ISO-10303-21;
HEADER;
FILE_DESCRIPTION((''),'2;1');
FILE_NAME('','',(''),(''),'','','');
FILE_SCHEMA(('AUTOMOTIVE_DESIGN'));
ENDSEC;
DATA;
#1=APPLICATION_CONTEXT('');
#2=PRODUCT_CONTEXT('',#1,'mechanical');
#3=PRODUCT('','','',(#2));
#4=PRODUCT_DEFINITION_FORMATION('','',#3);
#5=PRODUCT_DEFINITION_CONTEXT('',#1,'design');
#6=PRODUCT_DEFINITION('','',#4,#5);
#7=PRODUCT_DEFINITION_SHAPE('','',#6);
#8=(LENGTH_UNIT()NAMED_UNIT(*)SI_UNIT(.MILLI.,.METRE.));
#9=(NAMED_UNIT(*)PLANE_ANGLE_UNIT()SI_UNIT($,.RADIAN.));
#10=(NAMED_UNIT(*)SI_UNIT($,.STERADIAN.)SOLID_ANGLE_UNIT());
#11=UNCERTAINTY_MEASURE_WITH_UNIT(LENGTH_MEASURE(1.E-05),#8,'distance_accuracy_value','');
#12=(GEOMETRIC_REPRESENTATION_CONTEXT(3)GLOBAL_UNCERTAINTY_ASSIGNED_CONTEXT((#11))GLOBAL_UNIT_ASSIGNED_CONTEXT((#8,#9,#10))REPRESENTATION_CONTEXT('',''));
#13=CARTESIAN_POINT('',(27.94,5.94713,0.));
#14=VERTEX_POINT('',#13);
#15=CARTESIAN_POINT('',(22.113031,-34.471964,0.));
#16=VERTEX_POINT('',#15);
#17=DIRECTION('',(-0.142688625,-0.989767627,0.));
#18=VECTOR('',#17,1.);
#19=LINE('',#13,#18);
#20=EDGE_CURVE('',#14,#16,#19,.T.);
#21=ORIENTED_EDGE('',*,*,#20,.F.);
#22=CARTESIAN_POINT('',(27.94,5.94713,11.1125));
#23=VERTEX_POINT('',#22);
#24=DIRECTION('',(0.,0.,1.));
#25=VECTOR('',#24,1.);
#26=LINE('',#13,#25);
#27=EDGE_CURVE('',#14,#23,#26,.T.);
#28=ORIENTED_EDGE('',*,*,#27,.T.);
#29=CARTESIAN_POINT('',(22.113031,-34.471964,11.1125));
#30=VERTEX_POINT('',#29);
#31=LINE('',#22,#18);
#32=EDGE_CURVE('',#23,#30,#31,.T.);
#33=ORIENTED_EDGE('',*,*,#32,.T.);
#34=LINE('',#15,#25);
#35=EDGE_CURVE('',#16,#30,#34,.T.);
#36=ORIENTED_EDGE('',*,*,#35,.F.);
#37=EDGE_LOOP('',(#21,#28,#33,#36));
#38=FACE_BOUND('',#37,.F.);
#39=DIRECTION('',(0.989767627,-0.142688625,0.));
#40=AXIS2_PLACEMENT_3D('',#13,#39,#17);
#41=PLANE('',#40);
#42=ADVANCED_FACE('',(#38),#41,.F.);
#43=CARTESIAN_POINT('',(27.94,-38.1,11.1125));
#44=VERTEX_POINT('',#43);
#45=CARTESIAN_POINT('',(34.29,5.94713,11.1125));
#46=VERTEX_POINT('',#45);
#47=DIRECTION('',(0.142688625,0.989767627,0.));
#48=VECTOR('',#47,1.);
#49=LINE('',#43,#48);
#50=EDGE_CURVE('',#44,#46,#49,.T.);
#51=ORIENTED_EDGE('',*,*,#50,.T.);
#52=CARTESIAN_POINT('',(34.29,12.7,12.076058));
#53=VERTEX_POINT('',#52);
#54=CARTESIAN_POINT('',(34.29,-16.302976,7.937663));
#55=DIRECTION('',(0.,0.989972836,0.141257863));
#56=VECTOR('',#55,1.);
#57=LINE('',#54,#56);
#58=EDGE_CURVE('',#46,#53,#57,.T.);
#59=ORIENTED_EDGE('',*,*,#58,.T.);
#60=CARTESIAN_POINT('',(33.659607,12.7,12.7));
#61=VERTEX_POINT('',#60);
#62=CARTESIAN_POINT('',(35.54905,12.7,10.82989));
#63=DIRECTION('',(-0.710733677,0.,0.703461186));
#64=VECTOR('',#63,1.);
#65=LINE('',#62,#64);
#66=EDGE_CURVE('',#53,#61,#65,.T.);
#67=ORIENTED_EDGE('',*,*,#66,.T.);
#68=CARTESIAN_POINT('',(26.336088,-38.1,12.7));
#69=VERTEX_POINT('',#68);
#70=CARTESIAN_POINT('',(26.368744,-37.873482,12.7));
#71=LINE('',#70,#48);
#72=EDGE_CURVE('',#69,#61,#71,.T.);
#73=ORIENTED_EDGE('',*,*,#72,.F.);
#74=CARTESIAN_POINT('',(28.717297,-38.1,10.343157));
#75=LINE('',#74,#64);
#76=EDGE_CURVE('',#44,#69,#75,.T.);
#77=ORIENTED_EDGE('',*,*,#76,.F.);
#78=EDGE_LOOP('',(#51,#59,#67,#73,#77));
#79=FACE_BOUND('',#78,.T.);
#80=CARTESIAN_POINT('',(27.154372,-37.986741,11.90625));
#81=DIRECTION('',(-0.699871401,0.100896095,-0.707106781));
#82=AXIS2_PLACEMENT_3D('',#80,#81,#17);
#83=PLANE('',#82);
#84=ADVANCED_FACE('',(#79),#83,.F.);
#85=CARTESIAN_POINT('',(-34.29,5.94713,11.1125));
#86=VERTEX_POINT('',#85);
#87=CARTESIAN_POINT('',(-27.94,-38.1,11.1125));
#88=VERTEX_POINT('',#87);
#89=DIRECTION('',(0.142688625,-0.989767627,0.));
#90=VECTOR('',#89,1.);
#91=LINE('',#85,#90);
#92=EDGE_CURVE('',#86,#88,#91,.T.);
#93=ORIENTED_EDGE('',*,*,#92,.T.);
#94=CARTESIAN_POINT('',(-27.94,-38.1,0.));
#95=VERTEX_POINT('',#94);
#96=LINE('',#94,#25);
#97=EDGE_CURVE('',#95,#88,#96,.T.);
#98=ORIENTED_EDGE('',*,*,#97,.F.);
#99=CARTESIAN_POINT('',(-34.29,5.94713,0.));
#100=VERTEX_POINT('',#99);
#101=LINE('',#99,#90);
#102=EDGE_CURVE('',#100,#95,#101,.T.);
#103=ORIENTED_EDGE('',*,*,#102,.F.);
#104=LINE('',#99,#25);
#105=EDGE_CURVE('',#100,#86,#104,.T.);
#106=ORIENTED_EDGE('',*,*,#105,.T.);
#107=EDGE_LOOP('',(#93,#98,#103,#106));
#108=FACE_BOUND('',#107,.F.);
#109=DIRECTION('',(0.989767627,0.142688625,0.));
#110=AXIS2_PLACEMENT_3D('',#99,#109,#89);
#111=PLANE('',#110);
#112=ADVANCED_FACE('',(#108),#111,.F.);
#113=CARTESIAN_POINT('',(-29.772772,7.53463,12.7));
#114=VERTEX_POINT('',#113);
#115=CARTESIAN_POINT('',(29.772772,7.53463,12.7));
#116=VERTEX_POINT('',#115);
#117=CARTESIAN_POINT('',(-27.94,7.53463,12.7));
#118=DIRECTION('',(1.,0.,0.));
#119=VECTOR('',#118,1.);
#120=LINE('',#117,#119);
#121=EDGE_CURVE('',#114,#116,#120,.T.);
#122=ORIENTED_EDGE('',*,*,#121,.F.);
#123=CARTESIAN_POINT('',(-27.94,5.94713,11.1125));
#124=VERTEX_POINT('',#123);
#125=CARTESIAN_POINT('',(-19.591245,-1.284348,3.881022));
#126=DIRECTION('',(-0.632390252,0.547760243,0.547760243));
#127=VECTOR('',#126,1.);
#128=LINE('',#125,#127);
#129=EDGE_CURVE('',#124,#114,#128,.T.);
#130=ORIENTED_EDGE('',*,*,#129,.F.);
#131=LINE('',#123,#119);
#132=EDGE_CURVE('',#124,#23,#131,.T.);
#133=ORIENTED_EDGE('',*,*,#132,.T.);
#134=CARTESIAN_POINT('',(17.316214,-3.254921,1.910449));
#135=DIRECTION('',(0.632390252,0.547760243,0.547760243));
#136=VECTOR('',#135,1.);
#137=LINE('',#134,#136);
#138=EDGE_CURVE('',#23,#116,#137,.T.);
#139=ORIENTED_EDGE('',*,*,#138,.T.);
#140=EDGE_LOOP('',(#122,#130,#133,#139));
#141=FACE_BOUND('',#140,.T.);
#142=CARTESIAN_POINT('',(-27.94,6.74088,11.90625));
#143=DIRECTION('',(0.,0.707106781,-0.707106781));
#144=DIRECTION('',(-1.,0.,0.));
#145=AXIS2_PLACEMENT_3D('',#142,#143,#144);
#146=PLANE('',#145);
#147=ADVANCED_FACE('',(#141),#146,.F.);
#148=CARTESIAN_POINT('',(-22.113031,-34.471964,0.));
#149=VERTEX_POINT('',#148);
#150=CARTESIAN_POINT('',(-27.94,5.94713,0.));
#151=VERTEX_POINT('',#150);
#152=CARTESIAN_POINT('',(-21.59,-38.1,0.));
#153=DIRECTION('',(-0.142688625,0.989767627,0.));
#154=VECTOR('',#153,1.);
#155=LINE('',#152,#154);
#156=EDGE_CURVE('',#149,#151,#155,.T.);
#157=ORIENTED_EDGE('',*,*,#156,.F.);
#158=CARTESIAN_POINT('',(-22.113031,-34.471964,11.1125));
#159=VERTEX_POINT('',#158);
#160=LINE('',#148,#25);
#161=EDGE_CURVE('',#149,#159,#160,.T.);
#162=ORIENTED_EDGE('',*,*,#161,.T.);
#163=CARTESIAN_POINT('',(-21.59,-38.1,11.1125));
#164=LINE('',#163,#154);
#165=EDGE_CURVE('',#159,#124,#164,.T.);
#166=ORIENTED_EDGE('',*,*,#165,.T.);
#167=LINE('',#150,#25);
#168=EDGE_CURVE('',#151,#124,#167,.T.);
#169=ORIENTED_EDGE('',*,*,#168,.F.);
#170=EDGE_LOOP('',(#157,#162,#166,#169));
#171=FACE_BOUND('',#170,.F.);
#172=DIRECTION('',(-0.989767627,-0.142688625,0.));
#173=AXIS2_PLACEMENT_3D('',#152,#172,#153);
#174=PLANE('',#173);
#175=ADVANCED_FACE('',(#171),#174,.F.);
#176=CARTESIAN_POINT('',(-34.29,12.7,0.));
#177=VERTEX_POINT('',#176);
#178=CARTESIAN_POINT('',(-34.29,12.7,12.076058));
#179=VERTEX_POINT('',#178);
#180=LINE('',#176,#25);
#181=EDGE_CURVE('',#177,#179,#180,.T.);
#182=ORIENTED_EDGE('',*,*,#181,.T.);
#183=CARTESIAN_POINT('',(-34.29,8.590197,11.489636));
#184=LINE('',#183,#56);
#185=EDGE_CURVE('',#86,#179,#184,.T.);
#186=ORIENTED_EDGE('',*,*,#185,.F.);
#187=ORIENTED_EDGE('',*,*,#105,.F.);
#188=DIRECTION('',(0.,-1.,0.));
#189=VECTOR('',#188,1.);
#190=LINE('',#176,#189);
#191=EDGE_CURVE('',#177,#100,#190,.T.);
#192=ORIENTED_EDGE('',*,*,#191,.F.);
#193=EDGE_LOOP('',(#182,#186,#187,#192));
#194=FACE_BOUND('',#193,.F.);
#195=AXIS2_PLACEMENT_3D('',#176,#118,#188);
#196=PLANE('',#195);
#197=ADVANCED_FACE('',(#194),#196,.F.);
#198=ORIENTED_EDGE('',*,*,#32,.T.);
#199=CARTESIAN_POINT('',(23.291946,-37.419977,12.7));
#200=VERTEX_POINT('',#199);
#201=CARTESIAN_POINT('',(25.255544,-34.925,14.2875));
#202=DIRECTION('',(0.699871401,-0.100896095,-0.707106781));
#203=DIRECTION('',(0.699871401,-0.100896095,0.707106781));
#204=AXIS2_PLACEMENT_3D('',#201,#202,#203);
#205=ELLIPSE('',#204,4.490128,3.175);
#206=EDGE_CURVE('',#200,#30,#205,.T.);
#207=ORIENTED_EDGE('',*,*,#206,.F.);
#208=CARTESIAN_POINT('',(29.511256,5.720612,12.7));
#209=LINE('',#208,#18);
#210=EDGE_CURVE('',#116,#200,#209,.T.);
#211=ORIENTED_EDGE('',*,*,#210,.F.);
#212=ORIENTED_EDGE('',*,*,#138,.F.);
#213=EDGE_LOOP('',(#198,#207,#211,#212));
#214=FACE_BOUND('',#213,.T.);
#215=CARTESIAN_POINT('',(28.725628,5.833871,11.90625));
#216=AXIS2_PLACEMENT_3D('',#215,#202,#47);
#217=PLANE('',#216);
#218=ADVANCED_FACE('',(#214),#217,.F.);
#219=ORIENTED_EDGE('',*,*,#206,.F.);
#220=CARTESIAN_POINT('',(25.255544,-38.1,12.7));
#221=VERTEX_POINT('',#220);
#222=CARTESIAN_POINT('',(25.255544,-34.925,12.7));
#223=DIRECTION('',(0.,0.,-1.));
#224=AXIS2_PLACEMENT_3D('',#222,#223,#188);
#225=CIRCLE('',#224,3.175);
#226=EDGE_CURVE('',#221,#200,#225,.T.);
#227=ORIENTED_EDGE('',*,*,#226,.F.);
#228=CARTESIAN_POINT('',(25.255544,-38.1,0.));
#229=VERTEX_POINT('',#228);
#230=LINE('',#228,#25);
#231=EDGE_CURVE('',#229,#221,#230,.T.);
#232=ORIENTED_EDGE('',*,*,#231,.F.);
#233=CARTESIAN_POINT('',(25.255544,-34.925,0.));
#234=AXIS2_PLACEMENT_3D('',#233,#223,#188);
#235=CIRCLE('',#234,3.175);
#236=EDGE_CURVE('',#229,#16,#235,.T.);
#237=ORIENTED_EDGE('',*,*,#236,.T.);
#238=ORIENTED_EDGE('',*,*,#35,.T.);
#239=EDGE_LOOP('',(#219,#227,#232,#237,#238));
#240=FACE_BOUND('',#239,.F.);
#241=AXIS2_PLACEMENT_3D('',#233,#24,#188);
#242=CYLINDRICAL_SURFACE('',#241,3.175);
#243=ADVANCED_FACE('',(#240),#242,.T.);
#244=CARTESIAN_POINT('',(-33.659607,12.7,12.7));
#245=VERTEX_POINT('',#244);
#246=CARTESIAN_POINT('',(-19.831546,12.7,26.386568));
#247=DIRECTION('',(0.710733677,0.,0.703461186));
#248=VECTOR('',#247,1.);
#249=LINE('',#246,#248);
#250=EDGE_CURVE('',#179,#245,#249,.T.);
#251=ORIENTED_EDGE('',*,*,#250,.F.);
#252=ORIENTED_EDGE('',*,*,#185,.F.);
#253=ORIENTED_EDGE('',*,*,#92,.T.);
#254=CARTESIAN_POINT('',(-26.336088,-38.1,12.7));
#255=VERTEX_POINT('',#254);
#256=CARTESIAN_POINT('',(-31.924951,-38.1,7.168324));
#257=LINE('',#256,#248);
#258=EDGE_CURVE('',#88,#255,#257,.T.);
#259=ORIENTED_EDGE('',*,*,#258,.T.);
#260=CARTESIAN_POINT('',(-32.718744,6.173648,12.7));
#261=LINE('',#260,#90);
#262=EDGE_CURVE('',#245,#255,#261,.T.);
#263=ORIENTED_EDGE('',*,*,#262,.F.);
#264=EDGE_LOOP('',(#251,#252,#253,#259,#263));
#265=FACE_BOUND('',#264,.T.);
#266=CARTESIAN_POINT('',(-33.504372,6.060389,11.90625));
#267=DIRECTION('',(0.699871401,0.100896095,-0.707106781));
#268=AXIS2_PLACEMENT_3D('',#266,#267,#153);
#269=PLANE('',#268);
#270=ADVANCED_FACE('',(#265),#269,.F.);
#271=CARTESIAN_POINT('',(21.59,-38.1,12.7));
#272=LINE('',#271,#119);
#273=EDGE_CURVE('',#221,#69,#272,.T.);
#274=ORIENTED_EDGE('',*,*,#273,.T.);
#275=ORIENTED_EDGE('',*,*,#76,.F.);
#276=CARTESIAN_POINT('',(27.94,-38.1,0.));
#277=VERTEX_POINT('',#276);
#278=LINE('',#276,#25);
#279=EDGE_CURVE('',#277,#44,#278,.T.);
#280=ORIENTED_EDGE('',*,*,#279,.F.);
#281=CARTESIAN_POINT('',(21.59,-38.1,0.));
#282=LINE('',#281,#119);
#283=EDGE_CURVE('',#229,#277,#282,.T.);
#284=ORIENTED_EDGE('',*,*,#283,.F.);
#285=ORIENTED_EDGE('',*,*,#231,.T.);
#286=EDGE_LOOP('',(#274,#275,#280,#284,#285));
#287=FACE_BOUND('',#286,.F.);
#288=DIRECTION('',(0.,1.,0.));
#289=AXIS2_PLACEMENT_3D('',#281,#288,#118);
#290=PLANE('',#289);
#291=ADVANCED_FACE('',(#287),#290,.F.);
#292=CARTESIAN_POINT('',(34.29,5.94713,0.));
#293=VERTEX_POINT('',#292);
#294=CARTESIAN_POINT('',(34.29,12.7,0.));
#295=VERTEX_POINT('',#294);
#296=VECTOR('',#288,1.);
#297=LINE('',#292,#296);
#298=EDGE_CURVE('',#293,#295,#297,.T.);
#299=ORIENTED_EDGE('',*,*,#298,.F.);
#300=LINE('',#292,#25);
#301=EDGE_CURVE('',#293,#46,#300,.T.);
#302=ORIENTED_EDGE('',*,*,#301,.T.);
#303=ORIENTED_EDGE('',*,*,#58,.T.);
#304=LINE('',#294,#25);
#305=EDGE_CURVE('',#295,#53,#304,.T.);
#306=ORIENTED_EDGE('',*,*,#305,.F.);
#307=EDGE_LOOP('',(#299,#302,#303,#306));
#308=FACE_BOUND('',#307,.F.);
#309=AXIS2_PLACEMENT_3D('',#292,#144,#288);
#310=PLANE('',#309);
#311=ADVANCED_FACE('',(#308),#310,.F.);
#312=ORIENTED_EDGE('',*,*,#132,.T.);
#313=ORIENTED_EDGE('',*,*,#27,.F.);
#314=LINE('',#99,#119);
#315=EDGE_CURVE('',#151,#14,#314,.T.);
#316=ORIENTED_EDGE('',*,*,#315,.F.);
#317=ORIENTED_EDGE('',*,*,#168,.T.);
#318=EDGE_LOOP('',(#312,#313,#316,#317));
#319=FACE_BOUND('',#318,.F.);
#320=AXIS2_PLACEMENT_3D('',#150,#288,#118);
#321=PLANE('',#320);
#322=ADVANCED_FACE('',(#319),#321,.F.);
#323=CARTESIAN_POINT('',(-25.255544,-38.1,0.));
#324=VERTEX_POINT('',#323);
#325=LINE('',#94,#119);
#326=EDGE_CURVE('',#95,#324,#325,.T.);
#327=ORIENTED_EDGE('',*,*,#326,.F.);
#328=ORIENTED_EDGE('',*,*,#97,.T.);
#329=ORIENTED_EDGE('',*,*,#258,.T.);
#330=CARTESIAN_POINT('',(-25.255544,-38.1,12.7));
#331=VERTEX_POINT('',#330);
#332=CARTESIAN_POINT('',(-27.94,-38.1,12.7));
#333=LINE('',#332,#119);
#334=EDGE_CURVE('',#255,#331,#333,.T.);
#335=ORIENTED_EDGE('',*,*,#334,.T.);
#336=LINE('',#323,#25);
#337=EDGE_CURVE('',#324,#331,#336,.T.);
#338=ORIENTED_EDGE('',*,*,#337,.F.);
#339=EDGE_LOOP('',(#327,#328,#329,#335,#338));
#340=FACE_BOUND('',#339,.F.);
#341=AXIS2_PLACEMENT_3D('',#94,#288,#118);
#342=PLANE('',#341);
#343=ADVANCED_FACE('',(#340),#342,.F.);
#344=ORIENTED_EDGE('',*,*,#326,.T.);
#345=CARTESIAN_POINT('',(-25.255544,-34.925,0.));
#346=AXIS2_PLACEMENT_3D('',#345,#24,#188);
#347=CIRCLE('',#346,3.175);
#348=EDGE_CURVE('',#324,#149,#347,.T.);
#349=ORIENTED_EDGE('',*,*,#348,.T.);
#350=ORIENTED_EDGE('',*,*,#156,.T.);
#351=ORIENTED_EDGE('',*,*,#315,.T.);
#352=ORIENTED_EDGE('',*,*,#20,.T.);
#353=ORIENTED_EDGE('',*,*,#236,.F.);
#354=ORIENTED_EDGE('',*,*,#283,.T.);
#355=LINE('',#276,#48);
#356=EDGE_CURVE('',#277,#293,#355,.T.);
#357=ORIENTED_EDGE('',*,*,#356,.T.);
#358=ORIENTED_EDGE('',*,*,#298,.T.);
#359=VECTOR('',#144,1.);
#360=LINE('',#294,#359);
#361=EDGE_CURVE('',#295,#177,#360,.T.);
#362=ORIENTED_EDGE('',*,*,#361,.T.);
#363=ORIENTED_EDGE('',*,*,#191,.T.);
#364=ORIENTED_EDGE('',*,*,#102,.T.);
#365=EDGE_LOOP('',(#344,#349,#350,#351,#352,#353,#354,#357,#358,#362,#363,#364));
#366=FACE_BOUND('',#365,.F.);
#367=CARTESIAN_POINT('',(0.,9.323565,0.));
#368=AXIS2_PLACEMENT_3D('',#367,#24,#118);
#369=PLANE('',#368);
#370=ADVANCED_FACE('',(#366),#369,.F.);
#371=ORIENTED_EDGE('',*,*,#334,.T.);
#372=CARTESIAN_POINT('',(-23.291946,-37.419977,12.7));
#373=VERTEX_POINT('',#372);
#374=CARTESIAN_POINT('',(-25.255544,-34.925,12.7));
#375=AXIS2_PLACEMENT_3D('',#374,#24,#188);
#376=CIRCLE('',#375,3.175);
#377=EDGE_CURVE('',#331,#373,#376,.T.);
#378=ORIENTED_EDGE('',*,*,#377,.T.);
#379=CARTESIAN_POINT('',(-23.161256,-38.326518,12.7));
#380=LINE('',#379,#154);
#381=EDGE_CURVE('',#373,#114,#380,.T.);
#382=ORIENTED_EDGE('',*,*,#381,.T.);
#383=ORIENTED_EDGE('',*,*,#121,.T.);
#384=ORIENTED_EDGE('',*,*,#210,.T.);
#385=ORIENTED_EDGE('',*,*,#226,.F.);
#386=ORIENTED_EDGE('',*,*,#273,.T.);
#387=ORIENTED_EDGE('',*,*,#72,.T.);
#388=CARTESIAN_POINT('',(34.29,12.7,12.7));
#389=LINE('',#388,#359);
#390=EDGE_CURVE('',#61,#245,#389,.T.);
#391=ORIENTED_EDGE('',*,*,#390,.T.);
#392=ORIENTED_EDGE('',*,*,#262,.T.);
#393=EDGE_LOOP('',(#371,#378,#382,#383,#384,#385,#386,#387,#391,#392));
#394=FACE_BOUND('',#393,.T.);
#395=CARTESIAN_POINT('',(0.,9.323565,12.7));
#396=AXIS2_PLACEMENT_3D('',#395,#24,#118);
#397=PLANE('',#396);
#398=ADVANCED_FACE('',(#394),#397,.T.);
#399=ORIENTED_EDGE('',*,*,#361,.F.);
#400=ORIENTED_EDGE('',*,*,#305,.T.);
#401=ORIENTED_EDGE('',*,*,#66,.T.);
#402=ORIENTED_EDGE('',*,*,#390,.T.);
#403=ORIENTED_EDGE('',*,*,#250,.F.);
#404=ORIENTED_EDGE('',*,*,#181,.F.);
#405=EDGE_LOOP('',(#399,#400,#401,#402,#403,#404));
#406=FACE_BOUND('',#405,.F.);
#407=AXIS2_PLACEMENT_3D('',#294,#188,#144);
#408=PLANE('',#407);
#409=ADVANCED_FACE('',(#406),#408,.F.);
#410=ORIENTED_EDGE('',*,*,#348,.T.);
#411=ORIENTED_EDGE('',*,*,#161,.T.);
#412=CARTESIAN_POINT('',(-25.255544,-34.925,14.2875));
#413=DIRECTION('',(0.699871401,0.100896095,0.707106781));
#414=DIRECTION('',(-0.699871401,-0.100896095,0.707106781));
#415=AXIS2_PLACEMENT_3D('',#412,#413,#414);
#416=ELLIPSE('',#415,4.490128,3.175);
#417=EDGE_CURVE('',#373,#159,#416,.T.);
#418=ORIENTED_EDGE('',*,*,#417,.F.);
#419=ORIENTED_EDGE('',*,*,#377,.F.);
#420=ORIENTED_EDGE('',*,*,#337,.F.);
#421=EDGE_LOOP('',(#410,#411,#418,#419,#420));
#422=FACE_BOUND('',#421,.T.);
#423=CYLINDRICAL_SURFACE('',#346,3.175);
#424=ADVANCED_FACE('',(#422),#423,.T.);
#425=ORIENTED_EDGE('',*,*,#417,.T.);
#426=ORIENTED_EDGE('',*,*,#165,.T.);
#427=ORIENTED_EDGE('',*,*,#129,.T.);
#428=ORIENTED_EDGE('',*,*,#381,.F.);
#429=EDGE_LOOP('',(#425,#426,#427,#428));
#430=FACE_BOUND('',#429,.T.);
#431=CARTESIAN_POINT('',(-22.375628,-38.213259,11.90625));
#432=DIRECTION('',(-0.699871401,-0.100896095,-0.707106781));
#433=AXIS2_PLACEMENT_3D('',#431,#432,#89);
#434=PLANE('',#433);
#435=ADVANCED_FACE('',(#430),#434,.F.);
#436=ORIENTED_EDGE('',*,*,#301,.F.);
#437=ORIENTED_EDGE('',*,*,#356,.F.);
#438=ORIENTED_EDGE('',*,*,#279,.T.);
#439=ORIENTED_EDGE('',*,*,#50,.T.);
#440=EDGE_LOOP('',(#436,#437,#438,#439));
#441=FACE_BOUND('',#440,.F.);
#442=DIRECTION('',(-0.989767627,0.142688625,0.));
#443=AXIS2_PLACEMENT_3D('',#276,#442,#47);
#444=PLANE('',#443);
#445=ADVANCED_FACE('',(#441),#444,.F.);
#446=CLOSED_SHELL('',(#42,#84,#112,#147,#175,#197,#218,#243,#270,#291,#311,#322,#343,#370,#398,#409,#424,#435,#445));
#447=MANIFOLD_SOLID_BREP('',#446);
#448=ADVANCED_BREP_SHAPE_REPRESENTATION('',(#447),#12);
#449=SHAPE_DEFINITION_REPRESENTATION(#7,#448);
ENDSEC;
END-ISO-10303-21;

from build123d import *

# Parameters (mm, degrees)
F1_DEPTH = 12.7
F2_SIZE  = 1.5875
F3_R     = 3.175


with BuildPart() as f1:
    # F0 (on Top) → F1 (new body)
    with BuildSketch(Plane.XY):
        Polygon((34.29, 12.7), (-34.29, 12.7), (-34.29, 5.94713), (-27.94, 5.94713), (27.94, 5.94713), (34.29, 5.94713), align=None)
        Polygon((-27.94, 5.94713), (-34.29, 5.94713), (-27.94, -38.1), (-21.59, -38.1), align=None)
        Polygon((27.94, -38.1), (34.29, 5.94713), (27.94, 5.94713), (21.59, -38.1), align=None)
    extrude(amount=F1_DEPTH)

    # F2
    f2_edges = [f1.edges().sort_by_distance(p)[0] for p in [
        (-24.765, -16.076435, 12.7),
        (-31.115, -16.076435, 12.7),
        (0, 5.94713, 12.7),
        (24.765, -16.076435, 12.7),
        (31.115, -16.076435, 12.7),
    ]]
    chamfer(f2_edges, length=F2_SIZE)

    # F3
    f3_edges = [f1.edges().sort_by_distance(p)[0] for p in [
        (-21.59, -38.1, 5.55625),
        (21.59, -38.1, 5.55625),
    ]]
    fillet(f3_edges, radius=F3_R)


solid = f1.part
